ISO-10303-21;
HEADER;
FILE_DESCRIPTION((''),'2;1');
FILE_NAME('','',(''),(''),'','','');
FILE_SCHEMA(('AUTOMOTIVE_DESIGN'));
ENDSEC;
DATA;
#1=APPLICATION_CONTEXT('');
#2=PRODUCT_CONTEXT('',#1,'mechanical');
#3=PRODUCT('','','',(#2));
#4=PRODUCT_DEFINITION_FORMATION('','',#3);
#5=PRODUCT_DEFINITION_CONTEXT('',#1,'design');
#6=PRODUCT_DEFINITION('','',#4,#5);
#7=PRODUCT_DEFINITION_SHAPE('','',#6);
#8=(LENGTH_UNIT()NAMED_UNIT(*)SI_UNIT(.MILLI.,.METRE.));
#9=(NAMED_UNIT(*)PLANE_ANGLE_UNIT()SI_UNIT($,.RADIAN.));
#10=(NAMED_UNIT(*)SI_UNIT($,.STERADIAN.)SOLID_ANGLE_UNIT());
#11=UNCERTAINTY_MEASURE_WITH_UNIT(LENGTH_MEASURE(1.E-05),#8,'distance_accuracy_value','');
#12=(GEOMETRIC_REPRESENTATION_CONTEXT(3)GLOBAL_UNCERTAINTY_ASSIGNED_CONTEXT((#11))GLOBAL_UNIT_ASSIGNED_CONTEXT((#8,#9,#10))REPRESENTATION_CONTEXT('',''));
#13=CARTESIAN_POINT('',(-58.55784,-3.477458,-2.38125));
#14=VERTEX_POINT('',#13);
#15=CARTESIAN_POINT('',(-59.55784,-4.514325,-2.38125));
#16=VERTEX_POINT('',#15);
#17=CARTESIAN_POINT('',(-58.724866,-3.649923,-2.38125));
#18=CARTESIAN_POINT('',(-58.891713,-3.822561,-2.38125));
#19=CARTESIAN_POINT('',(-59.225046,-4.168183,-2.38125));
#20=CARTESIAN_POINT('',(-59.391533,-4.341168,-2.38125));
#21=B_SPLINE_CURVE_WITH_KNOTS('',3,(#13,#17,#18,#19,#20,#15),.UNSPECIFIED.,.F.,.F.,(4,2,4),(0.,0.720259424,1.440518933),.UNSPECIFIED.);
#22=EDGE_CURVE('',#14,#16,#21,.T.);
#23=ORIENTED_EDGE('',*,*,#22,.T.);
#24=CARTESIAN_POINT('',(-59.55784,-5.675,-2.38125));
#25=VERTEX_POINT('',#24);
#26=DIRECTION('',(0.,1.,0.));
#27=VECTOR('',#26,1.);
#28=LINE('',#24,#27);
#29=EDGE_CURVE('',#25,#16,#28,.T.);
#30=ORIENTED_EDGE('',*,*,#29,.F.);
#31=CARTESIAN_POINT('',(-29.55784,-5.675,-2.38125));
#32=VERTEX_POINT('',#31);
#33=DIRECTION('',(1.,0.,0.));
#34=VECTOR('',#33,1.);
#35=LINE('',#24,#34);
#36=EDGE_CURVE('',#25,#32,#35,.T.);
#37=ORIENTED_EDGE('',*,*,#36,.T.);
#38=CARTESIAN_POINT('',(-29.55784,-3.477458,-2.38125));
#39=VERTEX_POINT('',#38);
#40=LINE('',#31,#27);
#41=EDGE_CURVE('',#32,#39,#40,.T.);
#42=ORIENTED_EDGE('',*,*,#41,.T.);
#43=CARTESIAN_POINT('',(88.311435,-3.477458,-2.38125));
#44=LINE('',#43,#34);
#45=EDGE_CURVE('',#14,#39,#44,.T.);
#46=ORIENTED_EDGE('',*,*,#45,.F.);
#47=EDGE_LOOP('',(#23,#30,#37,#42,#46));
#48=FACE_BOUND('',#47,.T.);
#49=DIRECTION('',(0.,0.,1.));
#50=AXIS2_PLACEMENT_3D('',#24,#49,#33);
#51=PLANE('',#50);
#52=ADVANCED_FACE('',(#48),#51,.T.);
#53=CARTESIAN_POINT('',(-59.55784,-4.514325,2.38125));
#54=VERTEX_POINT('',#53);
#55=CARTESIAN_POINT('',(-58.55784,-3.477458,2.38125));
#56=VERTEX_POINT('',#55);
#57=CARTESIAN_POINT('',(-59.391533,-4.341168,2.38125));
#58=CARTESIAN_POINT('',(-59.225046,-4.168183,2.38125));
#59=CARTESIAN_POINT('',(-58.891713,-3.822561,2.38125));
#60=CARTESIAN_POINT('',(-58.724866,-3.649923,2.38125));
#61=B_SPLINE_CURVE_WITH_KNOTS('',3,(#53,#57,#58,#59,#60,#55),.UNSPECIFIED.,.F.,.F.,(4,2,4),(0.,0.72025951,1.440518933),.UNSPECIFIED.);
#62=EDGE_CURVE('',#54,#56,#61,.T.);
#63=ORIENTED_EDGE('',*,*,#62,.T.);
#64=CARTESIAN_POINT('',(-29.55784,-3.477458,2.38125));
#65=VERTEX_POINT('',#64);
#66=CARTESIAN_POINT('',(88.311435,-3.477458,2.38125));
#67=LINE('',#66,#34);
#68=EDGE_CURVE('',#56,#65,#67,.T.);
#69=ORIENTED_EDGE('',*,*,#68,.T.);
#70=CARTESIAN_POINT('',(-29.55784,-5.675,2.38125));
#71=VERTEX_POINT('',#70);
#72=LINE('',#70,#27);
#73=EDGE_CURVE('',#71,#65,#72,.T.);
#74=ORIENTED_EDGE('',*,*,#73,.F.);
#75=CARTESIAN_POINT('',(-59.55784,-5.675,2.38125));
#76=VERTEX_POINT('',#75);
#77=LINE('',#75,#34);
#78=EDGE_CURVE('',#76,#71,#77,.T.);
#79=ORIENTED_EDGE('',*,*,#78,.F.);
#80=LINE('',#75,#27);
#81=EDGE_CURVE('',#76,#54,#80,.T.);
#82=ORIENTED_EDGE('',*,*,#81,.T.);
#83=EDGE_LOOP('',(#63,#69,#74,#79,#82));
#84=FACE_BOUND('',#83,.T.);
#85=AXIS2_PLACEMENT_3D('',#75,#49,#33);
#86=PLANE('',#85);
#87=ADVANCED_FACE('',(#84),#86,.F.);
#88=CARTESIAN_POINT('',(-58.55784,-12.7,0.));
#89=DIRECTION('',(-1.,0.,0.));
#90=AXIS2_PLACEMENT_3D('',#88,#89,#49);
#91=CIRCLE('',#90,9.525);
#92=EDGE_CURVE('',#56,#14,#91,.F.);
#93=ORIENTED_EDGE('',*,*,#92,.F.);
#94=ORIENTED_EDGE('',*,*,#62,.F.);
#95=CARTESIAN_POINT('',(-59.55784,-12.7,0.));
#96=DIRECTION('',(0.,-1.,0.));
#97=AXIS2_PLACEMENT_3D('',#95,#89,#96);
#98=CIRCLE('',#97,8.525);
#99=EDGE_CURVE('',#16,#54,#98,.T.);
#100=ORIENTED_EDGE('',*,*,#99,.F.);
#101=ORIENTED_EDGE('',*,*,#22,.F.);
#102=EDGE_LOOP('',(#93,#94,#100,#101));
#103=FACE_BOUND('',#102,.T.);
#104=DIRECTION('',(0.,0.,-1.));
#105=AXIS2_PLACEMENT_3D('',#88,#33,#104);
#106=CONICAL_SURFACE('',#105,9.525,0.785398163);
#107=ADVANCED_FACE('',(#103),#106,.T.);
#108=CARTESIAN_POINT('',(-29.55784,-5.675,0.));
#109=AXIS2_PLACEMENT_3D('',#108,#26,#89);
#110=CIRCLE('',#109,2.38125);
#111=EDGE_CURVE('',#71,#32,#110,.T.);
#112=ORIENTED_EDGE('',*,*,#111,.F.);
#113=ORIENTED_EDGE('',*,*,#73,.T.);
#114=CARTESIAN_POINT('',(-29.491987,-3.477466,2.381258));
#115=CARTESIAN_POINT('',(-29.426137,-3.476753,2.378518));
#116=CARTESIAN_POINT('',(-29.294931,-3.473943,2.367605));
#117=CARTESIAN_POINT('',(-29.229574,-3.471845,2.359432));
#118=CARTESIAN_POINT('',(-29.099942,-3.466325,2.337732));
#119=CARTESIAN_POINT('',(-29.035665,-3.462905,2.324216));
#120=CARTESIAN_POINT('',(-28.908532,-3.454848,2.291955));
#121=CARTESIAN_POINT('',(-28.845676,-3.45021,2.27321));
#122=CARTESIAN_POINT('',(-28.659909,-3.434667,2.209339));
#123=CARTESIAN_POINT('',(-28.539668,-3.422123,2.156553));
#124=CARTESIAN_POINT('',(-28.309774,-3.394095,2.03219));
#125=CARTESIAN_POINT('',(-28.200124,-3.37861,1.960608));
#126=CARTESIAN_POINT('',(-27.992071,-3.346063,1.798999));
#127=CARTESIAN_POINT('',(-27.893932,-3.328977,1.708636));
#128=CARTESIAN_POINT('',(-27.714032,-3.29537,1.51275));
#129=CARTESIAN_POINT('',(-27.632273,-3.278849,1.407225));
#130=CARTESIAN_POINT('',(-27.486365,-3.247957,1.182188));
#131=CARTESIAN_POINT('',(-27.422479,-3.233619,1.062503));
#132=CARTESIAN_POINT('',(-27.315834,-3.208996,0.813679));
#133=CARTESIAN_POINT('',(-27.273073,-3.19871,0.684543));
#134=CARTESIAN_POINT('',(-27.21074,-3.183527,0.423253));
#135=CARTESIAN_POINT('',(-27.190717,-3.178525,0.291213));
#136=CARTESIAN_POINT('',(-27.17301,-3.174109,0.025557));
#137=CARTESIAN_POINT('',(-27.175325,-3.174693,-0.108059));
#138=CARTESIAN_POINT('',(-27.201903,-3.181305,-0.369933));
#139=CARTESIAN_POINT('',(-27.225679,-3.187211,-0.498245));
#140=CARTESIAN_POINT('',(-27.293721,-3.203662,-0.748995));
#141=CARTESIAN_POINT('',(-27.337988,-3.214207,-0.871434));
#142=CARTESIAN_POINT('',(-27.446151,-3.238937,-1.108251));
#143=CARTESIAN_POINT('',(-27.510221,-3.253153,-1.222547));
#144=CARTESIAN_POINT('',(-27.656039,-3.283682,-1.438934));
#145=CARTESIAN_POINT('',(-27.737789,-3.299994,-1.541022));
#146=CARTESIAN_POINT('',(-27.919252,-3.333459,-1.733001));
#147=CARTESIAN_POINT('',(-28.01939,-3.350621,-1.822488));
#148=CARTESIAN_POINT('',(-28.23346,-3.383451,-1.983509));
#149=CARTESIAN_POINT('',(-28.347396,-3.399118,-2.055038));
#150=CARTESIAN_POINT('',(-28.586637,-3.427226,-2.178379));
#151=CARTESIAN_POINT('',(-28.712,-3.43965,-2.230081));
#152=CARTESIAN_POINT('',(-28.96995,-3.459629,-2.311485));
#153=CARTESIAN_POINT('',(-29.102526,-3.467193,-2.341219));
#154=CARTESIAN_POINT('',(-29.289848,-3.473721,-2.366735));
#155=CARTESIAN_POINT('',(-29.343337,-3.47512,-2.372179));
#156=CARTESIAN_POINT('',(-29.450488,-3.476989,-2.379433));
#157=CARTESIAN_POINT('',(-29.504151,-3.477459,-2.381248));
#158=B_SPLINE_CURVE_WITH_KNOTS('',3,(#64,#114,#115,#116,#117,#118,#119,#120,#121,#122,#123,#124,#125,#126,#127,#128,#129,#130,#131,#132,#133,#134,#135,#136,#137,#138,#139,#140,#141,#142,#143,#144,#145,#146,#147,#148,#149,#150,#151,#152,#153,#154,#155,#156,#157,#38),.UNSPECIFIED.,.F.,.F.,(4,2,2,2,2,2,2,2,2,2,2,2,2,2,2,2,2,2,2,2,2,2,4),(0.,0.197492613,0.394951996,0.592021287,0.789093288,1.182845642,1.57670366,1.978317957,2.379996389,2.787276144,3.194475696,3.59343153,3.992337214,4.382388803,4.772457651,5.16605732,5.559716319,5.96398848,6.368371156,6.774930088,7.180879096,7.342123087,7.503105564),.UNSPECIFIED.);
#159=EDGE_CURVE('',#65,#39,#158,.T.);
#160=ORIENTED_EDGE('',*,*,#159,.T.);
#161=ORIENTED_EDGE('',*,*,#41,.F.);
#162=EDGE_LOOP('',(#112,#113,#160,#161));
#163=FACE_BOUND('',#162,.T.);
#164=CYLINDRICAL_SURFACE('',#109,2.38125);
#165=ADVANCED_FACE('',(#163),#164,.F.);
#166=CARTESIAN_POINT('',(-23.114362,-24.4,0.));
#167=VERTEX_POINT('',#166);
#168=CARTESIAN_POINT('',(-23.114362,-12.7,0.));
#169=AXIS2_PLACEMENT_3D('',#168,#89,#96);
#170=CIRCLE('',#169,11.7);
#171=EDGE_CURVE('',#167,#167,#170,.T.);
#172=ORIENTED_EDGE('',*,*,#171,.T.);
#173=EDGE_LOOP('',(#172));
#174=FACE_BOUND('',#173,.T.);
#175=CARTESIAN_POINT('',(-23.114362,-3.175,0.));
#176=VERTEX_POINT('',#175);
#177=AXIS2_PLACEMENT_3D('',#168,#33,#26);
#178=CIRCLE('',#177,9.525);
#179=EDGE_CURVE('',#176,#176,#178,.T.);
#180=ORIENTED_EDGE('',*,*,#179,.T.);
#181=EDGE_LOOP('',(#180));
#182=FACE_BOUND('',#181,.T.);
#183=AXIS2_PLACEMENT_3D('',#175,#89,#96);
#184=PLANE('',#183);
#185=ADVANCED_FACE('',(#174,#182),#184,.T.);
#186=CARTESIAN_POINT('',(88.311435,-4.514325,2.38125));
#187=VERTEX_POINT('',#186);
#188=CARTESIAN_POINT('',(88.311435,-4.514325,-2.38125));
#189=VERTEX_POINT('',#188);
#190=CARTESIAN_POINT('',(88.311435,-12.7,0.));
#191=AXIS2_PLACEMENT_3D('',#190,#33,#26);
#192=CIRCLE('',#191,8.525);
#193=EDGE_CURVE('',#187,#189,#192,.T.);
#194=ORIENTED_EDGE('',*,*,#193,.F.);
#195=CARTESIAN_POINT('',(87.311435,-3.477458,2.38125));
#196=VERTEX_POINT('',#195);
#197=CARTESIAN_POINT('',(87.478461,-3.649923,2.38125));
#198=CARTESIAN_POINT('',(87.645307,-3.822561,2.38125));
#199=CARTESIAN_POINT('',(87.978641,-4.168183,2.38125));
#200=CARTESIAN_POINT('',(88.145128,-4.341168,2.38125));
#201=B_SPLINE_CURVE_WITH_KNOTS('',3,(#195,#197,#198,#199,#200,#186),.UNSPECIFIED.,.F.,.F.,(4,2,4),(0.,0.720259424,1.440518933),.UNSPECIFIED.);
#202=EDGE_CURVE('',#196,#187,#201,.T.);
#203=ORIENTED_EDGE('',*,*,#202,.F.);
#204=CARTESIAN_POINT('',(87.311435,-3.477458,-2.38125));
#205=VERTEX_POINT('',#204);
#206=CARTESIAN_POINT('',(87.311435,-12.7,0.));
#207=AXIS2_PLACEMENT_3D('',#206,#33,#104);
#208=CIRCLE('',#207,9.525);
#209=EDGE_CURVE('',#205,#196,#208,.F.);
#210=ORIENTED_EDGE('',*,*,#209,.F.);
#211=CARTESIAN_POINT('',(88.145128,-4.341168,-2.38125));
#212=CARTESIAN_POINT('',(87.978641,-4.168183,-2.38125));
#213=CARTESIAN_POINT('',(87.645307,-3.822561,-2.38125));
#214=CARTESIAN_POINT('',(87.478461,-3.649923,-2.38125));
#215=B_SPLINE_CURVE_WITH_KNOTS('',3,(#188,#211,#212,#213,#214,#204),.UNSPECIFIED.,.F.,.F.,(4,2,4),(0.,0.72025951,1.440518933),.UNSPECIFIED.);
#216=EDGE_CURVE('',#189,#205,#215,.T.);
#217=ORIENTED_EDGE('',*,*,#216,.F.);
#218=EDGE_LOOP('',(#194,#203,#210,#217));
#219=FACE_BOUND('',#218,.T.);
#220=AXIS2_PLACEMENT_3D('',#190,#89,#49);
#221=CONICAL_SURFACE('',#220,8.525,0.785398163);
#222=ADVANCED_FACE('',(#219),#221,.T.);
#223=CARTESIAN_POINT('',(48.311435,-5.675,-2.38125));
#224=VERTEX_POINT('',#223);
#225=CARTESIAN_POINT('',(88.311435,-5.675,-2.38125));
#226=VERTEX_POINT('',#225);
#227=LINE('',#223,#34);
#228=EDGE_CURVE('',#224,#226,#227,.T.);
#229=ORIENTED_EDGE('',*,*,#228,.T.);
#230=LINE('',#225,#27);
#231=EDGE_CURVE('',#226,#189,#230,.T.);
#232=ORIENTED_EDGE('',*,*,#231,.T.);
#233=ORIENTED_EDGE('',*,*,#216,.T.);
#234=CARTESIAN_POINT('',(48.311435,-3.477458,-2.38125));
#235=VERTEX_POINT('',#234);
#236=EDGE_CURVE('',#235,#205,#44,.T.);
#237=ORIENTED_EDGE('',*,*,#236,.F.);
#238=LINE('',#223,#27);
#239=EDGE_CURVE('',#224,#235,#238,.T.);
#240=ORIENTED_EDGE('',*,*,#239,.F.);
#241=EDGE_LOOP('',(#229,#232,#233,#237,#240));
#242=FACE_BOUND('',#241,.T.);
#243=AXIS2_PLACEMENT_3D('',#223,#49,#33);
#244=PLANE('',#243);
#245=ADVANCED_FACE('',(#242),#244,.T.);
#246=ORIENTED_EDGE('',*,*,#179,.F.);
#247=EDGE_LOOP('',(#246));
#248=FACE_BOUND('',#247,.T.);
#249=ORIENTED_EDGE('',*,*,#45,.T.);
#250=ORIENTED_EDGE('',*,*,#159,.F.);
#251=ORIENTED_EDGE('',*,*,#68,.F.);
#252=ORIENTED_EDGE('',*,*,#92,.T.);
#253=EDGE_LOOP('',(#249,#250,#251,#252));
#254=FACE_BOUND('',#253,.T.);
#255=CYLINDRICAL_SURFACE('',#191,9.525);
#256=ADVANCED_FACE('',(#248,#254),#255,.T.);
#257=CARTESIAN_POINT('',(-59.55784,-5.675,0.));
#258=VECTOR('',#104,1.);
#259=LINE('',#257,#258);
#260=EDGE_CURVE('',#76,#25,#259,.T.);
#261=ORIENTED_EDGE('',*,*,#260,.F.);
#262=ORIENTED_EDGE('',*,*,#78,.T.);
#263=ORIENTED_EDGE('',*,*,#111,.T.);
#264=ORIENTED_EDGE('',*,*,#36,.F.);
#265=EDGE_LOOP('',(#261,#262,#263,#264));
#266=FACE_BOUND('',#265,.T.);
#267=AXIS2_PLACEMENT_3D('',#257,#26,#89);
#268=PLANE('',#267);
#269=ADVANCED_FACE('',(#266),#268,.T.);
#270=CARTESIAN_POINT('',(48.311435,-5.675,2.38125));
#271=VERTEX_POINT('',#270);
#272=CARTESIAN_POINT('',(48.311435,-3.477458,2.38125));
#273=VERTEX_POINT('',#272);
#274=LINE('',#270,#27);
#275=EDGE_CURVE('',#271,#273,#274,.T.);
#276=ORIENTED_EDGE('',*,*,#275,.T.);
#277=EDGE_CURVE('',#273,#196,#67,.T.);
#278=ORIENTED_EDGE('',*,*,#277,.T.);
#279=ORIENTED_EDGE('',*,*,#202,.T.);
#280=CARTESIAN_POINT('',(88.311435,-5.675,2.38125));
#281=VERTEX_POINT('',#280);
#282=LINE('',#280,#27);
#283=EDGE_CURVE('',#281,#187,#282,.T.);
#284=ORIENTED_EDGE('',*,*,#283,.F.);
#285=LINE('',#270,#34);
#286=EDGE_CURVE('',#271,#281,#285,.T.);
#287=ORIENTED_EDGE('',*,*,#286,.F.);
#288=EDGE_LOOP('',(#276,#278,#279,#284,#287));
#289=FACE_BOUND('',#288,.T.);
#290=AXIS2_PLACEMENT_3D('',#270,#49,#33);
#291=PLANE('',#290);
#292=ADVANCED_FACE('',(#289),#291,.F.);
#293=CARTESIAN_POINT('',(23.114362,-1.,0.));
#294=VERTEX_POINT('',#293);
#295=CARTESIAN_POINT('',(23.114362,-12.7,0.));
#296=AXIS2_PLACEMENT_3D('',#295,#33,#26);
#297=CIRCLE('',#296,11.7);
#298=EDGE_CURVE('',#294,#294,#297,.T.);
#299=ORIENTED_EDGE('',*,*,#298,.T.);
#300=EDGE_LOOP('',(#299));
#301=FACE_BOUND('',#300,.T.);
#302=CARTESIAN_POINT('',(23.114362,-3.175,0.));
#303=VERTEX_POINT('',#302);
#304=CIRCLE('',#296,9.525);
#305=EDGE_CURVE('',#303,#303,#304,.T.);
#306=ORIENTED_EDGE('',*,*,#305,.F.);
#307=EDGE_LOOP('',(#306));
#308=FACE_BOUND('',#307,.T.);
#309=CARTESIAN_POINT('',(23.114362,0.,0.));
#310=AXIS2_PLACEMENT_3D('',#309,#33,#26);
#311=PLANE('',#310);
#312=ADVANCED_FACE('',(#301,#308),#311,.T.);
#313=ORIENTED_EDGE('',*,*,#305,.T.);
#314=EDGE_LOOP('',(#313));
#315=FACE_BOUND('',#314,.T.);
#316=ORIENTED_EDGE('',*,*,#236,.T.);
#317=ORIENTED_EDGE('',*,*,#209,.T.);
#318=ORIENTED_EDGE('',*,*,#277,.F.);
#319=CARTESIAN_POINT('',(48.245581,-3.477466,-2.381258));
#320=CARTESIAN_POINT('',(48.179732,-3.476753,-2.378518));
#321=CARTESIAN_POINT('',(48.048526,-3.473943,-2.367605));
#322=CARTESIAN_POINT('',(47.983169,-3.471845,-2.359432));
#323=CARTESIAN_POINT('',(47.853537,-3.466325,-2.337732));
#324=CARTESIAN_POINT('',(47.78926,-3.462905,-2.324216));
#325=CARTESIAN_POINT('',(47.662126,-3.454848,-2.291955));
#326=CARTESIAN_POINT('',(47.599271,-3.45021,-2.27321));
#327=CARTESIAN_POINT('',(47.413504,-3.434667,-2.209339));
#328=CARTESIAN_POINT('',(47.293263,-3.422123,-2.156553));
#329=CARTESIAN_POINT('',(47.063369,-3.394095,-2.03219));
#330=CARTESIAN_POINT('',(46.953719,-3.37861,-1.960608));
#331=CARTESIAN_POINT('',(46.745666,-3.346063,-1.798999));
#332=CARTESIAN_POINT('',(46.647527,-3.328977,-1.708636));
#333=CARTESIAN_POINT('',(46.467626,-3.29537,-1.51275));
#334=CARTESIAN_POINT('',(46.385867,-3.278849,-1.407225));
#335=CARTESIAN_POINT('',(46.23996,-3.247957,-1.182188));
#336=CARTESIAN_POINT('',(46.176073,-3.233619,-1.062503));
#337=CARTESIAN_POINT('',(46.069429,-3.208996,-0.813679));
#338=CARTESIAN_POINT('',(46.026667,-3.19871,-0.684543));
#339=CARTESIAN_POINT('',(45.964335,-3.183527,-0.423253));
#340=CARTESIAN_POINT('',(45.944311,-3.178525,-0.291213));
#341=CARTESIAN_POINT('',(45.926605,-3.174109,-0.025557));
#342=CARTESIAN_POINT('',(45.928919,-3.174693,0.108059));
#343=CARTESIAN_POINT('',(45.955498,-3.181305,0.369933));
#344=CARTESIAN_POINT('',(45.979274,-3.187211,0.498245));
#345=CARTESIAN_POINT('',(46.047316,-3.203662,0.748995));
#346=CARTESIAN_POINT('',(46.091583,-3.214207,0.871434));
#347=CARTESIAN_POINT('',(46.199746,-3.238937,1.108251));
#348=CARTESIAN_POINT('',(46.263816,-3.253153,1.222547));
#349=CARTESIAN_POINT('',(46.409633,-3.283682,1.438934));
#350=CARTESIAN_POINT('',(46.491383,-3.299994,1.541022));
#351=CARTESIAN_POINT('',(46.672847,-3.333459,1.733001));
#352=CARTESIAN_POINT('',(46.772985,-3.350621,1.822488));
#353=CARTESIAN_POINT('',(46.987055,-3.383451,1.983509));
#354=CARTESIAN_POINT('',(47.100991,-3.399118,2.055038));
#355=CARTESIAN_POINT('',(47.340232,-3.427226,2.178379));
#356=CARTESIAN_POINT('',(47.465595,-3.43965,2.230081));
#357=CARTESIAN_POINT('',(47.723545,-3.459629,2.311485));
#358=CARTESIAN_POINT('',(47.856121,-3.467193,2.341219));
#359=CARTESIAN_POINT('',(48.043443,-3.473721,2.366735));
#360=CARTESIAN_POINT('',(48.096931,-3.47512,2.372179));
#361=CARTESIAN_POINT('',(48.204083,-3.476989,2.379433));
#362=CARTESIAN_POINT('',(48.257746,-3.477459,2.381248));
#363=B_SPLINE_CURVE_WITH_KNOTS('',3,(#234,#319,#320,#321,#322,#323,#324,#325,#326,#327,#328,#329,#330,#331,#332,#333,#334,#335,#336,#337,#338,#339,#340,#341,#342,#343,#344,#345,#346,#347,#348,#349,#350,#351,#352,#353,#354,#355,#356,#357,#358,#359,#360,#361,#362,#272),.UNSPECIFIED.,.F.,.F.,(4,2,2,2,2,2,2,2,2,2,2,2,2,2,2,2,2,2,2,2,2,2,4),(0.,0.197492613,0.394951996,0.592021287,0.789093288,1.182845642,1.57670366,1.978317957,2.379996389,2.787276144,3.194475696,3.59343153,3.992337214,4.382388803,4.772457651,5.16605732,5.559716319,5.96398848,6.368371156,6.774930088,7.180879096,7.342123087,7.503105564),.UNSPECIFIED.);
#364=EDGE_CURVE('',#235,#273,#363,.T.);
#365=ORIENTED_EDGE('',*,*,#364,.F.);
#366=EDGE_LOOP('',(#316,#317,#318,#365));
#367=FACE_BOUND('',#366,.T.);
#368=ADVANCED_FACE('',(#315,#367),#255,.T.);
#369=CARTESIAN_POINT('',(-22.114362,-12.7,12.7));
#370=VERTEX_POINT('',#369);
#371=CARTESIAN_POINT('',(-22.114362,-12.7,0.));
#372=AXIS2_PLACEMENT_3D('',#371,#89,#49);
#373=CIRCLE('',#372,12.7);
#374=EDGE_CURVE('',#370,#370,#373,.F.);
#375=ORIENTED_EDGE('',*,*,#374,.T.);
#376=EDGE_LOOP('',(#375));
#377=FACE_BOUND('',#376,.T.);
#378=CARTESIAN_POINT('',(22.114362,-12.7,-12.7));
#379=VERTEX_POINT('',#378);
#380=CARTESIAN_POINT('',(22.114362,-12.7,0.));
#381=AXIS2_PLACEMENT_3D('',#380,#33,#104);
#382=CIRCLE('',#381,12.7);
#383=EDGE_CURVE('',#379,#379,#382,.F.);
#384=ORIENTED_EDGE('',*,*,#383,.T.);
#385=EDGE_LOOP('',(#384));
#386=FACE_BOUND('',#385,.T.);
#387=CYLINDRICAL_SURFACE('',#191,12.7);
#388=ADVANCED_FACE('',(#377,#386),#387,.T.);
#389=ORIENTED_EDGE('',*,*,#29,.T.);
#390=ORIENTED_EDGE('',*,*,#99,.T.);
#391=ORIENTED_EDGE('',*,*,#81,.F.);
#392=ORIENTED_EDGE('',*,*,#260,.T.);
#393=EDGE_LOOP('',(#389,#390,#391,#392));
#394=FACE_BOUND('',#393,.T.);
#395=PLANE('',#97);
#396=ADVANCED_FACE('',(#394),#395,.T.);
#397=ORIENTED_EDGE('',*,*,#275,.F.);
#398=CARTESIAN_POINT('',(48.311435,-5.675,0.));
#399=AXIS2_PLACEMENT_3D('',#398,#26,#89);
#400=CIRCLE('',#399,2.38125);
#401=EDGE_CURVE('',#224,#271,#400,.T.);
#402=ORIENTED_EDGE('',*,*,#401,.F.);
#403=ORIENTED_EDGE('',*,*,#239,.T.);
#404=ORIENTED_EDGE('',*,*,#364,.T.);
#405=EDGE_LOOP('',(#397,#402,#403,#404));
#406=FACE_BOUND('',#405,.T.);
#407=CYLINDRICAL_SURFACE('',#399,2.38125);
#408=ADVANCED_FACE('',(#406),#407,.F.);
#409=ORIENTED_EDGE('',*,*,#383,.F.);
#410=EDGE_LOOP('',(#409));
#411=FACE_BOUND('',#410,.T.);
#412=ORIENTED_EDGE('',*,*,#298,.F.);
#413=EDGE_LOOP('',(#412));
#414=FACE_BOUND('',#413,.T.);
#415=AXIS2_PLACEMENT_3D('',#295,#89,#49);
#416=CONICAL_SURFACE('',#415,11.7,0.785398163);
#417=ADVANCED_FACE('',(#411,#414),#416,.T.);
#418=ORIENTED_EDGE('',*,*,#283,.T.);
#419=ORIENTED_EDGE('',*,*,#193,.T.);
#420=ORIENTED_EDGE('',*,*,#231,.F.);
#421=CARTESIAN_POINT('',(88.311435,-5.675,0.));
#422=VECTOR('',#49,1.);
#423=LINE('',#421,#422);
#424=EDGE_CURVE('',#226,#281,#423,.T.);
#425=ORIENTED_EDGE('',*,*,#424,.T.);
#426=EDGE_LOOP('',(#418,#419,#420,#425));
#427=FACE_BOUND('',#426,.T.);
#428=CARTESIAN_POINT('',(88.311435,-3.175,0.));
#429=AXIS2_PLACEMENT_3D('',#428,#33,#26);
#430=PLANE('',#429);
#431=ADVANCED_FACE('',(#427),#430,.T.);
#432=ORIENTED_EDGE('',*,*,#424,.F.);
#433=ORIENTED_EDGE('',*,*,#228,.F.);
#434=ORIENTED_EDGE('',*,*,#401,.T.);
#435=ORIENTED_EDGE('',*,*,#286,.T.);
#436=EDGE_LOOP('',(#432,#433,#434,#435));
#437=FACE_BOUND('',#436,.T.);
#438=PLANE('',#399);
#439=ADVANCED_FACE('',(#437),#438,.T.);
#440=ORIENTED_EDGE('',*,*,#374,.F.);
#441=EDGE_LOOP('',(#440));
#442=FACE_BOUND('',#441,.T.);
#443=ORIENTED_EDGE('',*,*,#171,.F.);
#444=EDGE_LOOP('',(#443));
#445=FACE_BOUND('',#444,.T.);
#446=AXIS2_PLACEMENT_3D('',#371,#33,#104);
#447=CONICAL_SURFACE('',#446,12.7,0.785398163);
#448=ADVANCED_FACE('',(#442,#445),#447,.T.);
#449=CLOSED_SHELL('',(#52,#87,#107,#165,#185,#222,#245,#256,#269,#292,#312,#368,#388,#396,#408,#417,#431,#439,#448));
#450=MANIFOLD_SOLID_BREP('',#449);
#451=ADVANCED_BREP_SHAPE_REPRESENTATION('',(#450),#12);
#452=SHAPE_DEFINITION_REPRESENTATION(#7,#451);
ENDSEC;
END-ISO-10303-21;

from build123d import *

# Parameters (mm, degrees)
CORTAR_EXTRUIR1_DEPTH = 2.5
CHAFL_N1_SIZE         = 1


with BuildPart() as part:
    # Croquis1 → Revolución1 (revolve)
    with BuildSketch(Plane.XY):
        Polygon((-23.114362081, 0), (23.114362081, 0), (23.114362081, -3.175), (88.311435021, -3.175), (88.311435021, -12.7), (-59.557840342, -12.7), (-59.557840342, -3.175), (-23.114362081, -3.175), align=None)
    revolve(axis=Axis((88.311435021, -12.7, 0), (-1, 0, 0)))

    # Croquis2 → Cortar-Extruir1 (cut)
    with BuildSketch(Plane(origin=(0, -3.175, 0), x_dir=(1, 0, 0), z_dir=(0, 1, 0))):
        with BuildLine():
            Line((48.311435021, 2.38125), (88.311435021, 2.38125))
            ThreePointArc((88.311435021, 2.38125), (90.692685021, 0), (88.311435021, -2.38125))
            Line((88.311435021, -2.38125), (48.311435021, -2.38125))
            ThreePointArc((48.311435021, -2.38125), (45.930185021, 0), (48.311435021, 2.38125))
        make_face()
        with BuildLine():
            Line((-59.557840342, 2.38125), (-29.557840342, 2.38125))
            ThreePointArc((-29.557840342, 2.38125), (-27.176590342, 0), (-29.557840342, -2.38125))
            Line((-29.557840342, -2.38125), (-59.557840342, -2.38125))
            ThreePointArc((-59.557840342, -2.38125), (-61.939090342, 0), (-59.557840342, 2.38125))
        make_face()
    extrude(amount=-CORTAR_EXTRUIR1_DEPTH, mode=Mode.SUBTRACT)

    # Chaflán1
    chafl_n1_edges = [part.edges().sort_by_distance(p)[0] for p in [
        (88.311435021, -22.225, 0),
        (-59.557840342, -22.225, 0),
        (23.114362081, -25.4, 0),
        (-23.114362081, -25.4, 0),
    ]]
    chamfer(chafl_n1_edges, length=CHAFL_N1_SIZE)


solid = part.part
